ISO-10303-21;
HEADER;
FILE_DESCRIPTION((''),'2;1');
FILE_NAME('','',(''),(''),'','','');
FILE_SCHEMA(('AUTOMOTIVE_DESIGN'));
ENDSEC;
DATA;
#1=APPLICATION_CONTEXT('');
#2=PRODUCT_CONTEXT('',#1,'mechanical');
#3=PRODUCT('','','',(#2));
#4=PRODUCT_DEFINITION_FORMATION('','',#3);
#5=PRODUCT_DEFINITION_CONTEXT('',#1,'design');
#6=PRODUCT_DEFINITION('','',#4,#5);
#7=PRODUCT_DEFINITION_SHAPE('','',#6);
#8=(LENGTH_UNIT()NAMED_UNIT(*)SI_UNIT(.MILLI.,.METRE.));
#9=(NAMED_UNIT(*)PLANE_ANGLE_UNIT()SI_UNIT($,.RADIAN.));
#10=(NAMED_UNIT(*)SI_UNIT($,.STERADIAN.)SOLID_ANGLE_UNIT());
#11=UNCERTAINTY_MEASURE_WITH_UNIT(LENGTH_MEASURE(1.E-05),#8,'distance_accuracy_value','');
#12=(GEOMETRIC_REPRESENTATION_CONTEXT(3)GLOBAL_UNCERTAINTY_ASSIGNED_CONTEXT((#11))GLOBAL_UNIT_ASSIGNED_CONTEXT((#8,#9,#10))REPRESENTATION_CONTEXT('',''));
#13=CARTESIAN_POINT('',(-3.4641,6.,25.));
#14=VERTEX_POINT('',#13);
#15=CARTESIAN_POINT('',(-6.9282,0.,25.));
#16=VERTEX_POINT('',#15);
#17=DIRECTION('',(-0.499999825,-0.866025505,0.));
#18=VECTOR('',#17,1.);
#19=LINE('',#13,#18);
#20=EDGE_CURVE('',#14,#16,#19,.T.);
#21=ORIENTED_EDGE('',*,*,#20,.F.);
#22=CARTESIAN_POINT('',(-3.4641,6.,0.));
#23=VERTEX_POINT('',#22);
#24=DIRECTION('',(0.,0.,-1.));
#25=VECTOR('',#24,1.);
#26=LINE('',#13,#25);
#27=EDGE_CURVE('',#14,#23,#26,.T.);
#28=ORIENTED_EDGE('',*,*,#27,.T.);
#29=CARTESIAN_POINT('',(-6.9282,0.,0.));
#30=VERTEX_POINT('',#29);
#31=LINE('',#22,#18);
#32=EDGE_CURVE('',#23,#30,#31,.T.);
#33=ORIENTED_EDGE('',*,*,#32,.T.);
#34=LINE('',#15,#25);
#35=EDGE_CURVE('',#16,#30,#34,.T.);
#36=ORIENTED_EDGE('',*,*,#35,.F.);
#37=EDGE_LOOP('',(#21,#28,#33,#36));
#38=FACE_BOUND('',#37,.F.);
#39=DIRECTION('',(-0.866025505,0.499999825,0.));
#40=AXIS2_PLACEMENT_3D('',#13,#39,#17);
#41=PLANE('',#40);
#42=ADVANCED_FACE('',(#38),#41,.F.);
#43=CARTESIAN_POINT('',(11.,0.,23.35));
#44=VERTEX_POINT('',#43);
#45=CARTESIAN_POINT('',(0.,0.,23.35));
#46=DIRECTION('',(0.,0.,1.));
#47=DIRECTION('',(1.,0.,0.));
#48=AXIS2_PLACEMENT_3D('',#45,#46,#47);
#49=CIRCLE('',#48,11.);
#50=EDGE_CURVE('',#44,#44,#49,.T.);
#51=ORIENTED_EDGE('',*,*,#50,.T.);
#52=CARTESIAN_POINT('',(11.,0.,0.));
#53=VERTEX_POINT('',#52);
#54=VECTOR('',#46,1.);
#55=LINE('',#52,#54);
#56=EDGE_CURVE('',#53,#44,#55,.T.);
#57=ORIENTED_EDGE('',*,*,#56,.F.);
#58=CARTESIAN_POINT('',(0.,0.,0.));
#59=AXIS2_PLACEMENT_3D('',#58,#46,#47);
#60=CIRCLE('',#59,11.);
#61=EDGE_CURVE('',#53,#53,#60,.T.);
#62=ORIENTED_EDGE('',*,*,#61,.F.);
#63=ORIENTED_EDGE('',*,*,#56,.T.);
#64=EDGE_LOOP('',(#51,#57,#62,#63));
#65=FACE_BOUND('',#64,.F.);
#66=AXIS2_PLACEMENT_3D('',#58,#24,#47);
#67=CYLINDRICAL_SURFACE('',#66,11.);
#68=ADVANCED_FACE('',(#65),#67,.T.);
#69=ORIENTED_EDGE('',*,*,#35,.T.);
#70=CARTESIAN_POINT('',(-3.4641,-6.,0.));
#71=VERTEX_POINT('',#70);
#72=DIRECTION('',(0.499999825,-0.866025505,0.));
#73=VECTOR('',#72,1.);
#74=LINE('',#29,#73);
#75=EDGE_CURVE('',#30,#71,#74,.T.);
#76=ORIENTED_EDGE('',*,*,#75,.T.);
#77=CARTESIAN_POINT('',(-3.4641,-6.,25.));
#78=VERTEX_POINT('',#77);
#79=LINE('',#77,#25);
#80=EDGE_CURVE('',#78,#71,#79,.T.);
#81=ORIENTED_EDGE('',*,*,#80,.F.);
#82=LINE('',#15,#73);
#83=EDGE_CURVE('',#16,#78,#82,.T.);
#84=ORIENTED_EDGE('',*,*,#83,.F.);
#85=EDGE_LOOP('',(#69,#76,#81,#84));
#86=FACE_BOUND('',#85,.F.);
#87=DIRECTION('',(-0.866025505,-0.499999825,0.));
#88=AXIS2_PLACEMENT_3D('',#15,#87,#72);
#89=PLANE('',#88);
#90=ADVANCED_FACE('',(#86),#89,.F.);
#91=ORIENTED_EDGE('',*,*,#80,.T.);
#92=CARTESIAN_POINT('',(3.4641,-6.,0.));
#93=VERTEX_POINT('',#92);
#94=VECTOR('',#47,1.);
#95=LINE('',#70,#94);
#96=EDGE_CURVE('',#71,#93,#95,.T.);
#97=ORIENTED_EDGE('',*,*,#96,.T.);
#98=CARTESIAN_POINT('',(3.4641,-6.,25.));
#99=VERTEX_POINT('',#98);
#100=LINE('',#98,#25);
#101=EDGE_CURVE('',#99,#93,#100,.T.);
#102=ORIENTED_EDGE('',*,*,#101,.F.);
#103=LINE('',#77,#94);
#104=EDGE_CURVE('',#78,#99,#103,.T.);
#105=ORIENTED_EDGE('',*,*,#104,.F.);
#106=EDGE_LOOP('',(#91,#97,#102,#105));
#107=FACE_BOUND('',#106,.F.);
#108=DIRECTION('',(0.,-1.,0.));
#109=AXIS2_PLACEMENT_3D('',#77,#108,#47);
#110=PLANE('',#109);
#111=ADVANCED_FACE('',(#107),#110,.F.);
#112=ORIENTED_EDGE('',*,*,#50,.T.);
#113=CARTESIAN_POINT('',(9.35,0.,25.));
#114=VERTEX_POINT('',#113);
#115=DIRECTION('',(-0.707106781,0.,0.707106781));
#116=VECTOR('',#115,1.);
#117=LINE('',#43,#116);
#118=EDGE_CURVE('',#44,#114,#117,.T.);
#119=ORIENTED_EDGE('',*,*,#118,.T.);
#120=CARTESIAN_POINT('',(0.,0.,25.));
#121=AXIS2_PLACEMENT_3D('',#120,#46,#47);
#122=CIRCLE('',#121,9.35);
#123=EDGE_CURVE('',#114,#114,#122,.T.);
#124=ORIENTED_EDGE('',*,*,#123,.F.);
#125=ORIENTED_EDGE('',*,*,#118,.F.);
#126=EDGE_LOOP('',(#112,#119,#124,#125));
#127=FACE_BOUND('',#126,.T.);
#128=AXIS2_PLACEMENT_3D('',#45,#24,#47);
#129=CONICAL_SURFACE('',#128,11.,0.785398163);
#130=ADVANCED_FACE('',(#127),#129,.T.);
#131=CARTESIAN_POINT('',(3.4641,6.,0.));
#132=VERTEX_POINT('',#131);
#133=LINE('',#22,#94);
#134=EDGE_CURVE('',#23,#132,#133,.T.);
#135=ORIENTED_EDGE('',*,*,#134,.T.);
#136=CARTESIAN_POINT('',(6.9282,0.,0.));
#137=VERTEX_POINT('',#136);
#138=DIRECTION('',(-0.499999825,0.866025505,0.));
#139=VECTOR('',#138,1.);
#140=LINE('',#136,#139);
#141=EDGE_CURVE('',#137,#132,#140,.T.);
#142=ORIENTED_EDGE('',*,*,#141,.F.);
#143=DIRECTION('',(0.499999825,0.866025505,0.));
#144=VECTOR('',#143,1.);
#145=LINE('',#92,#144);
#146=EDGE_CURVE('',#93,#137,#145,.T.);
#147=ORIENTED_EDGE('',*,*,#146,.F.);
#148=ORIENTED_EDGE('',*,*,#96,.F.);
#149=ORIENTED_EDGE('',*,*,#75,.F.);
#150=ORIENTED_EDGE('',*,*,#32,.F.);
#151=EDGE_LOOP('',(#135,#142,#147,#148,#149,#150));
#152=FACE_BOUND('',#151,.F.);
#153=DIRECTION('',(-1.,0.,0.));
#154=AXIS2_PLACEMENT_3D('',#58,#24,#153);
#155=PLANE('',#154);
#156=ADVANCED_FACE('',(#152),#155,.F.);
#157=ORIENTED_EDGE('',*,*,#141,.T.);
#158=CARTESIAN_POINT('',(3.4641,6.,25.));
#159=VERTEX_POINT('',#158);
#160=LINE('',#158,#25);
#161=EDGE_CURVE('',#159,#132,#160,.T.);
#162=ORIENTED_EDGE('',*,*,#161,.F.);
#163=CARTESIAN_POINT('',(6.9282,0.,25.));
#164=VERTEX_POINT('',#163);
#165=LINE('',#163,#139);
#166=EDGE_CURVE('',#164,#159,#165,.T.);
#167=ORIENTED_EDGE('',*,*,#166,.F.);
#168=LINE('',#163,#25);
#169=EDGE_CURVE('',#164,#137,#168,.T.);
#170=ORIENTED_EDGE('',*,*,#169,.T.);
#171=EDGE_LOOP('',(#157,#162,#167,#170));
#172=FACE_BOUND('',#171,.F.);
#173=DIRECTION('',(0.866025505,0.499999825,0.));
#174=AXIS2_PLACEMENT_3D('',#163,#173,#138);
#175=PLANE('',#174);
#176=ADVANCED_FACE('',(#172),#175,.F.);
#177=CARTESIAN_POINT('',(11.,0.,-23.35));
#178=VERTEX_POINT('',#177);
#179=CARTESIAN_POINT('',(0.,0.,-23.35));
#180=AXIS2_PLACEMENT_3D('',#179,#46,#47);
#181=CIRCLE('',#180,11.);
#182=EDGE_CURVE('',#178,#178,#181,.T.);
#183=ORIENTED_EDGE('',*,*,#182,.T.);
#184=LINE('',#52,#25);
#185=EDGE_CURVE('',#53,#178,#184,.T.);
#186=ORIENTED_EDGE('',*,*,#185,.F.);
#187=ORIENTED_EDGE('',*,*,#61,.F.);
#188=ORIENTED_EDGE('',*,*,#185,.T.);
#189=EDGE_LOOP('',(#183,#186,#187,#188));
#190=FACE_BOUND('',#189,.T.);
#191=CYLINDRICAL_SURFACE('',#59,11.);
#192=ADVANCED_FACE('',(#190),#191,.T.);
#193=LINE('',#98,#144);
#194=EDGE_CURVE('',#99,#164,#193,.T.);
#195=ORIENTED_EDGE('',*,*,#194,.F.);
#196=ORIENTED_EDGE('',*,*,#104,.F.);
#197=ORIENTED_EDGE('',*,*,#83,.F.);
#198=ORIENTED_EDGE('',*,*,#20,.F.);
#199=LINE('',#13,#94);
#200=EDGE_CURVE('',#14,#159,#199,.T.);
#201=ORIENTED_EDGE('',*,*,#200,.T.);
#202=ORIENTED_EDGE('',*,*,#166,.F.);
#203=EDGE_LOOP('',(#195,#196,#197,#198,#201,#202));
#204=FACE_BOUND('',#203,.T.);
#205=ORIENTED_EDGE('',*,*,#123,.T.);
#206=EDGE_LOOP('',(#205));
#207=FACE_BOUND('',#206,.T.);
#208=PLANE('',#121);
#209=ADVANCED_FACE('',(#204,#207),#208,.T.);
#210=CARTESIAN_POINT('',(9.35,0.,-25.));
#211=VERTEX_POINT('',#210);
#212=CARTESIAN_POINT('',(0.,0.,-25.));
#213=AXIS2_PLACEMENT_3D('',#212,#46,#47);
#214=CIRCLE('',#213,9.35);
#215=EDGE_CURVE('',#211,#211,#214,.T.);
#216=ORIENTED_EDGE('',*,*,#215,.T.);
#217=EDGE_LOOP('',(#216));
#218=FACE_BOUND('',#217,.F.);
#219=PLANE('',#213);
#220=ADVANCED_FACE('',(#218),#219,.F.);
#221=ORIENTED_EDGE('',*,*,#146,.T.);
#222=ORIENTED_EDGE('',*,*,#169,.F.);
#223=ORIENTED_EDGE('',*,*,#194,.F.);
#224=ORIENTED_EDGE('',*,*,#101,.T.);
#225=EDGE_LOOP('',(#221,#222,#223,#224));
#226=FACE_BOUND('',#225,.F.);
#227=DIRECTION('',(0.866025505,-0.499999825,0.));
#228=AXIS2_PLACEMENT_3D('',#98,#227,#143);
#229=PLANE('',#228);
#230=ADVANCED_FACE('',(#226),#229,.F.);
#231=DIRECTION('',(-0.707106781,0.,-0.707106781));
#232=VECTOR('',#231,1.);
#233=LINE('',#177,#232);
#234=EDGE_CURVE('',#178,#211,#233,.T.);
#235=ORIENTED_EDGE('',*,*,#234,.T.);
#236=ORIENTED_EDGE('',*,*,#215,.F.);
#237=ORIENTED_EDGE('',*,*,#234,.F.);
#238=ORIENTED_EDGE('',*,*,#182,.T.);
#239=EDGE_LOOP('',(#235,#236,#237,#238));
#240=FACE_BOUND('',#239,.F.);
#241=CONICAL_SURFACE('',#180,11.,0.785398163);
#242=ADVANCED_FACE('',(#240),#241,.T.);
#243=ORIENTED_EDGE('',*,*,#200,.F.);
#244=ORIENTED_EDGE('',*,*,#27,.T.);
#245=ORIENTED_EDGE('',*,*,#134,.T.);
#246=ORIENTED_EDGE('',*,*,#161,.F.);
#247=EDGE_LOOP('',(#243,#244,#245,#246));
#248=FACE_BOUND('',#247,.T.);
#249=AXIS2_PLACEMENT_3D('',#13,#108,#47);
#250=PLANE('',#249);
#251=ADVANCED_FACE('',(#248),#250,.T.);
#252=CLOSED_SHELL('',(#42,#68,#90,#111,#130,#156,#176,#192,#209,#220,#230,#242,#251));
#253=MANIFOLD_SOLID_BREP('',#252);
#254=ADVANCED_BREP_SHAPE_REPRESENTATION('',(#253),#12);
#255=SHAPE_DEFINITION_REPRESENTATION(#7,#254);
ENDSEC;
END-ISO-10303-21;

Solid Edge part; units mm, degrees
sketch "Sketch1" plane through (0, 0, 0) normal (0, 0, 1) x (1, 0, 0)
  circle A0 centre (0, 0) radius 11
  dimension "D1" = 22
extrude "Protrusion1" add sketch "Sketch1" along normal mid plane 50
chamfer "Chamfer1" distance 1.65 angle 45 2 edges at (-11, 0, -25) (-11, 0, 25)
sketch "Sketch2" plane through (0, 0, 25) normal (0, 0, 1) x (1, 0, 0)
  line L0 (-3.4641, 6) -> (3.4641, 6)
  line L1 (6.9282, 0) -> (3.4641, 6)
  line L2 (3.4641, -6) -> (6.9282, 0)
  line L3 (-3.4641, -6) -> (3.4641, -6)
  line L4 (-6.9282, 0) -> (-3.4641, -6)
  line L5 (-3.4641, 6) -> (-6.9282, 0)
  dimension "D1" = 12
extrude "Cutout1" cut sketch "Sketch2" against normal blind 25
properties part number "24105899"
